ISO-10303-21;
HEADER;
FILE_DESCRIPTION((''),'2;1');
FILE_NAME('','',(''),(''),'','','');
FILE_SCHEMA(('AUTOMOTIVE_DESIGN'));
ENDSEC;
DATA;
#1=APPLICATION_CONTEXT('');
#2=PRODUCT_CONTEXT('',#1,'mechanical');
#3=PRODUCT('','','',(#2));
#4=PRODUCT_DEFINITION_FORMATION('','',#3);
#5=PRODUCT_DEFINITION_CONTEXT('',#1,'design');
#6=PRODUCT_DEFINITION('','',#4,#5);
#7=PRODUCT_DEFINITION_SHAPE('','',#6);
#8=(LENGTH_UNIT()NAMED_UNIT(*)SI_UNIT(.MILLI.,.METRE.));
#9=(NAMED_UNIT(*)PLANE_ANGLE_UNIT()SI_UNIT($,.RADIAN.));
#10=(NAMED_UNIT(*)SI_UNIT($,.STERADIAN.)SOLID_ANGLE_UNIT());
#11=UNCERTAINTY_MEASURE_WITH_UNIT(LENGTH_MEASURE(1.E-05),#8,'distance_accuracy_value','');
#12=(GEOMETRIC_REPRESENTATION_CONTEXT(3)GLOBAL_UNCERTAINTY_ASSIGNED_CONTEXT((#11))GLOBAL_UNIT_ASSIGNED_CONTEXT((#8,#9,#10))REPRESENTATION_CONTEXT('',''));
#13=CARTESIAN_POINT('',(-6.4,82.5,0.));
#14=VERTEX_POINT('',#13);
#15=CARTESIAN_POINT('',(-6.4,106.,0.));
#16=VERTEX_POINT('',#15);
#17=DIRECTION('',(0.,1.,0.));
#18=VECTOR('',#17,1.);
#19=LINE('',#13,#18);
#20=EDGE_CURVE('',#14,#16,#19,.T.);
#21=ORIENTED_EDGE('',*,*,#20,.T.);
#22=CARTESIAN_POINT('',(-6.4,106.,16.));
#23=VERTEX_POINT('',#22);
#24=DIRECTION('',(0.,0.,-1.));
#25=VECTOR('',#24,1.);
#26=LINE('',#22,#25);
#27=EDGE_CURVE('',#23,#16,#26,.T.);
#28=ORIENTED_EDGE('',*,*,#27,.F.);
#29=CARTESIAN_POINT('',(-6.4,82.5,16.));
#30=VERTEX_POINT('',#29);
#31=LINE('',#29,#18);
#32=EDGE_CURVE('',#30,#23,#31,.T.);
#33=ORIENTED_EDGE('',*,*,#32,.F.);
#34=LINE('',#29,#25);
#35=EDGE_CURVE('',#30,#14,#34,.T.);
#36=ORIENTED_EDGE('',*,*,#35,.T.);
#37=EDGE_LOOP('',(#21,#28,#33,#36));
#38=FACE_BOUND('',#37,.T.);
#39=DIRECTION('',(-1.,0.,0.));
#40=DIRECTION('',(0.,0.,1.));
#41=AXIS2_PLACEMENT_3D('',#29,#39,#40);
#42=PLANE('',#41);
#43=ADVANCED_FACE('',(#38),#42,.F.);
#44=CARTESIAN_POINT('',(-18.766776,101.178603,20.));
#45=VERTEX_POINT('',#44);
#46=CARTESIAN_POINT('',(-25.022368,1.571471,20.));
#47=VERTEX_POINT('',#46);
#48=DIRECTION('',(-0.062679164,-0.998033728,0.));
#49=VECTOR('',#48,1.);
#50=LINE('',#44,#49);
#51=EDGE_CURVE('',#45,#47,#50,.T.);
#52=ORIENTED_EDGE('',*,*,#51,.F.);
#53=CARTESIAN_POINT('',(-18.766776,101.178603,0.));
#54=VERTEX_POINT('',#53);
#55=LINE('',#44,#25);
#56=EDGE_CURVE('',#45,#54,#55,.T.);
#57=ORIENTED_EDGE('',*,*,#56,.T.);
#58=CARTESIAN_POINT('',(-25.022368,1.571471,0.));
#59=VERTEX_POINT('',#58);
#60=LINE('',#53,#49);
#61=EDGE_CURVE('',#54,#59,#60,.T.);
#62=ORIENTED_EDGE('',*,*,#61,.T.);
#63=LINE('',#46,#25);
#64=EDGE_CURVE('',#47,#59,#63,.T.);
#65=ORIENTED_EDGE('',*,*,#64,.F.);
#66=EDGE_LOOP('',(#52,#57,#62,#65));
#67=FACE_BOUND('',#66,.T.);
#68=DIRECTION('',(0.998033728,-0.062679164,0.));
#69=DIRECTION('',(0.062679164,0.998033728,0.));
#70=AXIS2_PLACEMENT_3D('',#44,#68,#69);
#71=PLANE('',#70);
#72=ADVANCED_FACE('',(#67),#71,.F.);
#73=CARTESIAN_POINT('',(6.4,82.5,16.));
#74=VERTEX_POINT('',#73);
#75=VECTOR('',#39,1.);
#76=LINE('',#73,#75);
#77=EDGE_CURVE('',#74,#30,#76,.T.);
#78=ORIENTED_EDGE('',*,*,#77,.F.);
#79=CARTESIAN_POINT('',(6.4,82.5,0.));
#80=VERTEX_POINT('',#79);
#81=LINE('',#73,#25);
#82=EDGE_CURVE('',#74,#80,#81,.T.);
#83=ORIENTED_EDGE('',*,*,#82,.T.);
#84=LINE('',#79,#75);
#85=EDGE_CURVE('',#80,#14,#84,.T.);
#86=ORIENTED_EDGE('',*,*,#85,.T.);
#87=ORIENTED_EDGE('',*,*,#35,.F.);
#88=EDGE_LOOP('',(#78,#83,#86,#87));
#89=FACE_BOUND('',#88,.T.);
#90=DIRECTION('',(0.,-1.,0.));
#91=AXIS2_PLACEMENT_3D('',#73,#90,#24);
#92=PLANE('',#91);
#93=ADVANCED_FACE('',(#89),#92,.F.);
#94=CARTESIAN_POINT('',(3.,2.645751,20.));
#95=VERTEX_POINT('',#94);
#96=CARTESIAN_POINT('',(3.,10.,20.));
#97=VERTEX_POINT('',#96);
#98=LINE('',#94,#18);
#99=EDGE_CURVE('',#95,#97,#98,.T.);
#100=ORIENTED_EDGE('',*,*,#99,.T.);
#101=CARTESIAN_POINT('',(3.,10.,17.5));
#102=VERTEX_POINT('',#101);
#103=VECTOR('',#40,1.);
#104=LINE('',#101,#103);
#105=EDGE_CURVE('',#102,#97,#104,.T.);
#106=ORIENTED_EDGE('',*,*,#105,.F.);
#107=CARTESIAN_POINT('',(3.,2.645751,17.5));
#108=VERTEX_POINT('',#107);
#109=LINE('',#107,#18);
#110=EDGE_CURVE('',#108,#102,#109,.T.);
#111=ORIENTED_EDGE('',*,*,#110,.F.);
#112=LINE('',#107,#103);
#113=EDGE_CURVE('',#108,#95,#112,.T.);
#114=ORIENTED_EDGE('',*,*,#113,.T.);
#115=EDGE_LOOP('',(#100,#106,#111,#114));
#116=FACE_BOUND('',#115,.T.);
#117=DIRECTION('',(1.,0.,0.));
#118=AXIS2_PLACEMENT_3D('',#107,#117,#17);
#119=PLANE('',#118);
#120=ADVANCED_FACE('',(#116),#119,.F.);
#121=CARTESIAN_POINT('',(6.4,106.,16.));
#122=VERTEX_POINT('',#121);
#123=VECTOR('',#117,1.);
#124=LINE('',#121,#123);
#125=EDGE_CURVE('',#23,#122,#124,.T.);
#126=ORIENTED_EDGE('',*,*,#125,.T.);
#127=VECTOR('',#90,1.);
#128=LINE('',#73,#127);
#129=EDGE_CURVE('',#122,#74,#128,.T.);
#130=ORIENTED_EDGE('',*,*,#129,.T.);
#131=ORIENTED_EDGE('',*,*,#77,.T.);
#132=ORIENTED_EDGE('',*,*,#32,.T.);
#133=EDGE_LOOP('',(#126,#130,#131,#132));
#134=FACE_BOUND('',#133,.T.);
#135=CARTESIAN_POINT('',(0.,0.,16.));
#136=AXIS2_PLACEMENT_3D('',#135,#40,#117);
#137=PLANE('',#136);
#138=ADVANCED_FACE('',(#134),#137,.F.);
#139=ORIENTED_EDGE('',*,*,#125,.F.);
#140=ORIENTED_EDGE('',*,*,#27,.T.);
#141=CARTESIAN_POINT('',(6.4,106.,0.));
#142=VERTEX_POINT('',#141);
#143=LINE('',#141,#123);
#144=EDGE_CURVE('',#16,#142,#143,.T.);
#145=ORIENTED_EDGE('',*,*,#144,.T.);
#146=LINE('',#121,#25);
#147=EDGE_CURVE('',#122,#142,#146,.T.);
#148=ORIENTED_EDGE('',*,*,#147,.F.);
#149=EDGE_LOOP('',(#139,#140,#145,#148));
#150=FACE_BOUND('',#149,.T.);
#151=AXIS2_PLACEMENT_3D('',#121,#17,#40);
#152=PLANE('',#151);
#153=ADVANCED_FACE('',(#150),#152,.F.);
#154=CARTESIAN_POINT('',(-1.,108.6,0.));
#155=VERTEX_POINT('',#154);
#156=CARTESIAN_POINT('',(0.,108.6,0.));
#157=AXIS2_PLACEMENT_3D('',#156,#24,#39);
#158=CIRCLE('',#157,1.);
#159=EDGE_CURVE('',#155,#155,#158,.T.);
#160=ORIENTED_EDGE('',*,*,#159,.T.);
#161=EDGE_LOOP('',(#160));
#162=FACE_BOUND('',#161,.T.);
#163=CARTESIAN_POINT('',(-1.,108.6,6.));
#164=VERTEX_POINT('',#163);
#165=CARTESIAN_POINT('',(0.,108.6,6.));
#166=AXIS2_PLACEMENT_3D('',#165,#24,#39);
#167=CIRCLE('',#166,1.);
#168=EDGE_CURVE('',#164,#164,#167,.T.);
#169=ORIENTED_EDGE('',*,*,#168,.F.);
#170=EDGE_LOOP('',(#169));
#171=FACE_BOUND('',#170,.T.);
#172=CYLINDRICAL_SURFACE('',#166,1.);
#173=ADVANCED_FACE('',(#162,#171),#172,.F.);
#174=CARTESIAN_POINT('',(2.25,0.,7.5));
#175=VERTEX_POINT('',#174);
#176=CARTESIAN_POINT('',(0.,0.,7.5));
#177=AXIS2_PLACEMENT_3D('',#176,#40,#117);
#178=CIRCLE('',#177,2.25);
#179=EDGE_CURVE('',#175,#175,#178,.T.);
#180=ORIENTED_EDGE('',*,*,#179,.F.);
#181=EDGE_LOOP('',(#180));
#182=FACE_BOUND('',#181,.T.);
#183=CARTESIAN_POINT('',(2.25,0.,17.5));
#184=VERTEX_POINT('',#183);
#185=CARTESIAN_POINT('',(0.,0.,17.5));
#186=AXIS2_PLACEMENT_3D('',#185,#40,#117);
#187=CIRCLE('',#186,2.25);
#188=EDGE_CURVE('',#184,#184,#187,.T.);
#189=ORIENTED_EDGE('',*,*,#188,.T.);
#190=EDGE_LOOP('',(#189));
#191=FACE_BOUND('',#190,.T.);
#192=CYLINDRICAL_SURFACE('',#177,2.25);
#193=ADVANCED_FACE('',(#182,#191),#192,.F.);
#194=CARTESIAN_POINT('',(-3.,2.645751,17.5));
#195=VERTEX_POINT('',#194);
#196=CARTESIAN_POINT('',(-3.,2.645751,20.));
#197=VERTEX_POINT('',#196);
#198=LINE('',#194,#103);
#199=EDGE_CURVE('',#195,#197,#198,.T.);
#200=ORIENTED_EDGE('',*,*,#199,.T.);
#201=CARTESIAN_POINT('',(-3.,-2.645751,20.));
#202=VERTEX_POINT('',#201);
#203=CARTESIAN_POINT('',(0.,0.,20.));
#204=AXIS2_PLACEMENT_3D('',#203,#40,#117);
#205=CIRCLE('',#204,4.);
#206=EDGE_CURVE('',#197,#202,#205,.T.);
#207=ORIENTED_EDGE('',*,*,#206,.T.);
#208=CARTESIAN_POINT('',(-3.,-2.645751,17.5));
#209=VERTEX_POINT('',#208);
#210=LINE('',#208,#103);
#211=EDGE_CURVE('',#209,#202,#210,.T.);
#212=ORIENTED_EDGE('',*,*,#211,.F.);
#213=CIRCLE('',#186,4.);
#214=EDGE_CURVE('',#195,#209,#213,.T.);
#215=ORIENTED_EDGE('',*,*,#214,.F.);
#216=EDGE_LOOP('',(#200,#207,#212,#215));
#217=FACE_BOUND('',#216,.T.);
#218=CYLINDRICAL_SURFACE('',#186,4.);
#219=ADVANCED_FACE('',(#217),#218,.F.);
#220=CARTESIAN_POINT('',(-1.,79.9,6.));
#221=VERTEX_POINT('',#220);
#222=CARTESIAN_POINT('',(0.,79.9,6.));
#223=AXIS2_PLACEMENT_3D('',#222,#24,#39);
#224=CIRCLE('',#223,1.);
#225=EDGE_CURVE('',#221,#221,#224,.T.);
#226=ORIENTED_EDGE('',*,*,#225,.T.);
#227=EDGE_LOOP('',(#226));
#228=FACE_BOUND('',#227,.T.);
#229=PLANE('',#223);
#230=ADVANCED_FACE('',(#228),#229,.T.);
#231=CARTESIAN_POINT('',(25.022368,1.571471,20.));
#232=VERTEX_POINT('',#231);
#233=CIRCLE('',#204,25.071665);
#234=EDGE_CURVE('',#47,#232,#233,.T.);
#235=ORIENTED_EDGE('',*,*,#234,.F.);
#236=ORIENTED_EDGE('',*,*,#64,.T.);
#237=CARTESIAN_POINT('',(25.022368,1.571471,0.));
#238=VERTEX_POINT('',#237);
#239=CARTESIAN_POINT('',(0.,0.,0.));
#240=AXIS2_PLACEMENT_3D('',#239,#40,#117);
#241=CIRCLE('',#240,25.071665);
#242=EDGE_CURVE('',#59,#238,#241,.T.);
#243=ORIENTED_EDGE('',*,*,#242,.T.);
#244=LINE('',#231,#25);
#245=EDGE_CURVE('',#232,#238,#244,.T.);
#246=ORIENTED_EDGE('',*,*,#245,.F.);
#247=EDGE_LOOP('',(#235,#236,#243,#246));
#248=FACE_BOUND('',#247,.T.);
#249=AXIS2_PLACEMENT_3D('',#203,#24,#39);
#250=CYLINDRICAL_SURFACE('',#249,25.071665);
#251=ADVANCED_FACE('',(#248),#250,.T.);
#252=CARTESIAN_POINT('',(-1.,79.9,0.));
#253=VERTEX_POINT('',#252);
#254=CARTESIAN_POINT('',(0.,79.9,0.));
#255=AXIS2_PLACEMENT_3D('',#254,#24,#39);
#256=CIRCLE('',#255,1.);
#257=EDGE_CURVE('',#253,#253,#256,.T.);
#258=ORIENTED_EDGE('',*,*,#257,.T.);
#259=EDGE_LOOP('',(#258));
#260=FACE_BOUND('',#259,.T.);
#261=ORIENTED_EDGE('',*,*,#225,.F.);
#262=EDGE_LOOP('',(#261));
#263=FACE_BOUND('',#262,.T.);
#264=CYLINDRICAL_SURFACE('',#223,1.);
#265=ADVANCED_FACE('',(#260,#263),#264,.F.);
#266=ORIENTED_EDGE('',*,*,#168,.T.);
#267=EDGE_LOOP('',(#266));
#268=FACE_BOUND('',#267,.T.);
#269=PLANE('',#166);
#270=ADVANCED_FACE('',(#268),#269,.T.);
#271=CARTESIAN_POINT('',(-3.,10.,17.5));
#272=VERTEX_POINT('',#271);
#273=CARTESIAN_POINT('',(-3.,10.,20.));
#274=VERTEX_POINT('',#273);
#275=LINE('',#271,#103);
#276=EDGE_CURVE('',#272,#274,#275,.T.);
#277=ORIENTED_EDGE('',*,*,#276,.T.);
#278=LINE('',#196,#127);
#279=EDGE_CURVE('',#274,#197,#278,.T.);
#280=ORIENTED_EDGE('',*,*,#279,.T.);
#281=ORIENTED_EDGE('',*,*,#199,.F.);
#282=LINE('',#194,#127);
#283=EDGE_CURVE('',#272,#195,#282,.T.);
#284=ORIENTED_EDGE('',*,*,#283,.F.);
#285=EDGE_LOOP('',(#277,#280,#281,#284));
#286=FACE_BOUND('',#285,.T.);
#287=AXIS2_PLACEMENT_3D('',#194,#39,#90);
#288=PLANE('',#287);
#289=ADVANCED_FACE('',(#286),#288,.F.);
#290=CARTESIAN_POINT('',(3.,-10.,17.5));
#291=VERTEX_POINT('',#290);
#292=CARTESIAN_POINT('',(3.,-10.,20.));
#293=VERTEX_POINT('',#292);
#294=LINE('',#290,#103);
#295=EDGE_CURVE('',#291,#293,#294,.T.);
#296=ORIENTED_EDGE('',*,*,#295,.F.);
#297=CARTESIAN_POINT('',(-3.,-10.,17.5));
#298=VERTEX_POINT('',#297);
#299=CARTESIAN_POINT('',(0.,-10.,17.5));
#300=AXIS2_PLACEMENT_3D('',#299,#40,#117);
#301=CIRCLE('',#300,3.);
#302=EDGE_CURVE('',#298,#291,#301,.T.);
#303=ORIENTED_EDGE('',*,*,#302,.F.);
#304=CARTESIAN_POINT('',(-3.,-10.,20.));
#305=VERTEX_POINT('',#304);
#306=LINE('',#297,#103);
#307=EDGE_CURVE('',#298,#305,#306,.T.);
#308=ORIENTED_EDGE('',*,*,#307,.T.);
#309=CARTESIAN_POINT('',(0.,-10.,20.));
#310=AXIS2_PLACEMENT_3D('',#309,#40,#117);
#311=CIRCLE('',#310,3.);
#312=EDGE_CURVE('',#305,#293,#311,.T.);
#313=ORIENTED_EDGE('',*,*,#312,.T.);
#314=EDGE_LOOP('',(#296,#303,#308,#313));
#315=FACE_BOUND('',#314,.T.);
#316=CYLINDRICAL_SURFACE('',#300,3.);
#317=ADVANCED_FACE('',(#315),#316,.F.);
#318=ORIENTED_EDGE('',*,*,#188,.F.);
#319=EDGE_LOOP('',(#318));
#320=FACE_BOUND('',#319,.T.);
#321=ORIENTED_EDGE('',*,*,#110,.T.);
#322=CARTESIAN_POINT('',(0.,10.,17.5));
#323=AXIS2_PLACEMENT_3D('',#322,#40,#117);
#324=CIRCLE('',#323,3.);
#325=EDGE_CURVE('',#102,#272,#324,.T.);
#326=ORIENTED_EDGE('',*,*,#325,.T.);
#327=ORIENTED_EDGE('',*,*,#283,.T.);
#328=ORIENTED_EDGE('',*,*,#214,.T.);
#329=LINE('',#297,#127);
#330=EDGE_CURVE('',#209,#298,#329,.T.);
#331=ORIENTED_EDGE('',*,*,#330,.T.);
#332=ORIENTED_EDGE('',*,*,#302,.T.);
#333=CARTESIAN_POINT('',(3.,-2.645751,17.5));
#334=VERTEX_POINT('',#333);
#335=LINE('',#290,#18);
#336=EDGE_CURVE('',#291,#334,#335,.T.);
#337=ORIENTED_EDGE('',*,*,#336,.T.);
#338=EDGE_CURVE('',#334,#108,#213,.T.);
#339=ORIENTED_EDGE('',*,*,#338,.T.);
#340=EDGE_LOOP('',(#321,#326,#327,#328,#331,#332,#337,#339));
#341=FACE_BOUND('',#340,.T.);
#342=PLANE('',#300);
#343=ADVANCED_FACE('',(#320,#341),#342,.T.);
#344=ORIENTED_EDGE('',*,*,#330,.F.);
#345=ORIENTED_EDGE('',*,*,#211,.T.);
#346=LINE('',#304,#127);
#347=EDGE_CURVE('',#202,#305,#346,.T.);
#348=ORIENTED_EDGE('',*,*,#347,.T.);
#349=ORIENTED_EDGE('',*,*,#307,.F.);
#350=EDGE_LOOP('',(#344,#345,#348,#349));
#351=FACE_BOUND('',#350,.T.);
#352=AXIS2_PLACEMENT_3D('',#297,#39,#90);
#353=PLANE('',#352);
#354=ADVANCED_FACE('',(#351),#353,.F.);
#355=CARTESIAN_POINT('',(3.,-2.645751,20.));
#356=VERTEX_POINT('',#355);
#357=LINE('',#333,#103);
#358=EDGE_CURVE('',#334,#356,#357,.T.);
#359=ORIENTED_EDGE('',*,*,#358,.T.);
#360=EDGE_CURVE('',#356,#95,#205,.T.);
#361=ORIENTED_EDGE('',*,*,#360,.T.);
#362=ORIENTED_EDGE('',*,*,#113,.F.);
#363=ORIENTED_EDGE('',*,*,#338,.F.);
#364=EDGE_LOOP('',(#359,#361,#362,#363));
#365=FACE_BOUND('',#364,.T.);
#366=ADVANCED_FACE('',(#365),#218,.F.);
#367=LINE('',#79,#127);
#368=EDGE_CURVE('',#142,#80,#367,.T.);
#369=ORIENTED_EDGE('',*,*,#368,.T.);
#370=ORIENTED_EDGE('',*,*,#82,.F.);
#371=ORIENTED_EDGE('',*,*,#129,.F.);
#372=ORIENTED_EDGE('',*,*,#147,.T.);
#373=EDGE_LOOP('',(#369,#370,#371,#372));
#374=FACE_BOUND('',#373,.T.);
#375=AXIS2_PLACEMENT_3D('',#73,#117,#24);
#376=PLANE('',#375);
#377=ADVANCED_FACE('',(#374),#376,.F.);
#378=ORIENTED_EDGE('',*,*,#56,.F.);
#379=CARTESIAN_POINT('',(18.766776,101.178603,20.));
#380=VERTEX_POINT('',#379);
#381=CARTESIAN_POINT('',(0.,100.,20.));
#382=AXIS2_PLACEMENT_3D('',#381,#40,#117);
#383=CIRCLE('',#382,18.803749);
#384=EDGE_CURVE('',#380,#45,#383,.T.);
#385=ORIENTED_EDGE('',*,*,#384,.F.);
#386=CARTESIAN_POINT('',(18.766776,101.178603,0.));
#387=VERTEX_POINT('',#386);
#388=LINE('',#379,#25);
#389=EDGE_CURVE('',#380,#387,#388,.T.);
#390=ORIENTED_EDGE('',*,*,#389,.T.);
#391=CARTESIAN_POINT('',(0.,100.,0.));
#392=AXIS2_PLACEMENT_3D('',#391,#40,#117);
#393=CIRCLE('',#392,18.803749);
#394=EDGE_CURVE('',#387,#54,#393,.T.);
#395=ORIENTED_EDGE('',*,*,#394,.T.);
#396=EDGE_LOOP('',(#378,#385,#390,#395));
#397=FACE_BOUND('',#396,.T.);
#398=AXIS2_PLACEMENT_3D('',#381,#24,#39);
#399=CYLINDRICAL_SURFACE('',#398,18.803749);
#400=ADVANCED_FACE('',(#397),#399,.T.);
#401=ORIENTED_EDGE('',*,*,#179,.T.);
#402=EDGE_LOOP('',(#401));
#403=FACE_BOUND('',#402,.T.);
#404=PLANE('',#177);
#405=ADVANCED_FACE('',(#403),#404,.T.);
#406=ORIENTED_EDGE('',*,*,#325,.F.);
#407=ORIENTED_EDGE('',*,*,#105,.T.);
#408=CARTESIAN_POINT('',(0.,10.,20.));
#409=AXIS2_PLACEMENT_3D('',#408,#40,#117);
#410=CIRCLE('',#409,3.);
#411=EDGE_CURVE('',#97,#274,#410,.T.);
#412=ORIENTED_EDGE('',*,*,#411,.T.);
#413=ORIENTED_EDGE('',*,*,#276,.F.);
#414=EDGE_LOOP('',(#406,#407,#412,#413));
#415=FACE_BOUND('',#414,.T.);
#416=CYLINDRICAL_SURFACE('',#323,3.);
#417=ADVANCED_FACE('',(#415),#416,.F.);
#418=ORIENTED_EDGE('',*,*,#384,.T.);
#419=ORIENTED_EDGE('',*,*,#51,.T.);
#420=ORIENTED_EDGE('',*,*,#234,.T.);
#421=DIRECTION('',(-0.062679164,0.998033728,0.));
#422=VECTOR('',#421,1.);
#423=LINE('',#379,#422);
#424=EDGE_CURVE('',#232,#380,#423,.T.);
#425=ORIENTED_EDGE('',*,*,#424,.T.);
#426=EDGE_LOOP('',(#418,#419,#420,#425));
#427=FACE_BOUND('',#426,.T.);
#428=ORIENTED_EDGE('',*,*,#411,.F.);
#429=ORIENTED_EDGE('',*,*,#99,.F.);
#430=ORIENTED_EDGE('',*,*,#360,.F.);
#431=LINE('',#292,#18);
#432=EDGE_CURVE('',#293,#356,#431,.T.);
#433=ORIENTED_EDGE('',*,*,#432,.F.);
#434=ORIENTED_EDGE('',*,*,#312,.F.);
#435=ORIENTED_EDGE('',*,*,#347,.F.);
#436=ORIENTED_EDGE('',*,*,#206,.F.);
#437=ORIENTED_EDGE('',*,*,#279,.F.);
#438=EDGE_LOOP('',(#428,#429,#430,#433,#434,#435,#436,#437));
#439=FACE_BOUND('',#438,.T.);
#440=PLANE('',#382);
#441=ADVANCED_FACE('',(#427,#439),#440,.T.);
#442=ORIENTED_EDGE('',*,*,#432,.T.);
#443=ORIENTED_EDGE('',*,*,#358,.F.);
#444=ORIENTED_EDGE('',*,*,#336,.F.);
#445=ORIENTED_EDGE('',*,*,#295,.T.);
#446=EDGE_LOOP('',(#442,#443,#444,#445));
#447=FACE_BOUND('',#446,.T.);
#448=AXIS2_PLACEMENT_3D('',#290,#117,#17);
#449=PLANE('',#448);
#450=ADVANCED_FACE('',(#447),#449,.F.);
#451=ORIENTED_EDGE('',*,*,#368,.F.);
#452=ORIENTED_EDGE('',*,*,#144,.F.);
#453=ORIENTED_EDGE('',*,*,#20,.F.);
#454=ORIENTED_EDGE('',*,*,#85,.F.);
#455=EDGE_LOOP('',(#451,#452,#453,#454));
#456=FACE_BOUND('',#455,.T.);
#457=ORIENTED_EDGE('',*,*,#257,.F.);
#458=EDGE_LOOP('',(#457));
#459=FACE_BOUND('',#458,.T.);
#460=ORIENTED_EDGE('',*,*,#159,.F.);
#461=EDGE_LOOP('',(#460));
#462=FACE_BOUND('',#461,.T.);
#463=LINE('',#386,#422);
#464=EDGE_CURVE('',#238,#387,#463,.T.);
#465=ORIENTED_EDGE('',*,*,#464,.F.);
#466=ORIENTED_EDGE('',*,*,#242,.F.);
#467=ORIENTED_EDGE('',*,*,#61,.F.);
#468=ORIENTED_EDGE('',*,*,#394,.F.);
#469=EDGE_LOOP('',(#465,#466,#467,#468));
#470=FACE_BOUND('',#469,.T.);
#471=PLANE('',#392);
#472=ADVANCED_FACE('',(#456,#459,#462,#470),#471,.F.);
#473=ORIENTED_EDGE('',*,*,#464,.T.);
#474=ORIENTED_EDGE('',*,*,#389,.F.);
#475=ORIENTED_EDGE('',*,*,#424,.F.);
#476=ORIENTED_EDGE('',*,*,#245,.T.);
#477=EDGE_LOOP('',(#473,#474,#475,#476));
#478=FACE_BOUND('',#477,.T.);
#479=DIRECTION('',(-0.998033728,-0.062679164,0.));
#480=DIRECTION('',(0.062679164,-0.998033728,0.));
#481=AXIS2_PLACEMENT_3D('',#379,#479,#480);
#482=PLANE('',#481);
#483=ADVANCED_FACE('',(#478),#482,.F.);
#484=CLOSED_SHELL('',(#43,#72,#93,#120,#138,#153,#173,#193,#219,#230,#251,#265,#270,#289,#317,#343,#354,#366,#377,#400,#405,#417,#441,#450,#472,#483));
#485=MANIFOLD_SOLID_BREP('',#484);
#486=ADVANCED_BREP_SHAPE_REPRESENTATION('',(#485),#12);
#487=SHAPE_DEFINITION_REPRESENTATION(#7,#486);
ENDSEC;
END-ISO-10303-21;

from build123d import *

# Parameters (mm, degrees)
BOSS_EXTRUDE1_DEPTH = 20
CUT_EXTRUDE1_DEPTH  = 2.5
SKETCH4_R           = 2.25
CUT_EXTRUDE2_DEPTH  = 10
SKETCH5_W           = 12.8
SKETCH5_H           = 23.5
CUT_EXTRUDE3_DEPTH  = 16
SKETCH6_R           = 1
CUT_EXTRUDE4_DEPTH  = 6


with BuildPart() as part:
    # Sketch2 → Boss-Extrude1 (new body)
    with BuildSketch(Plane.XY):
        with BuildLine():
            Line((18.766775804, 101.178603266), (25.022367739, 1.571471021))
            ThreePointArc((25.022367739, 1.571471021), (0, -25.07166545), (-25.022367739, 1.571471021))
            Line((-25.022367739, 1.571471021), (-18.766775804, 101.178603266))
            ThreePointArc((-18.766775804, 101.178603266), (0, 118.803749087), (18.766775804, 101.178603266))
        make_face()
    extrude(amount=BOSS_EXTRUDE1_DEPTH)

    # Sketch3 → Cut-Extrude1 (cut)
    with BuildSketch(Plane.XY.offset(20)):
        with BuildLine():
            Line((-3, -10), (-3, -2.645751311))
            ThreePointArc((-3, -2.645751311), (-4, 0), (-3, 2.645751311))
            Line((-3, 2.645751311), (-3, 10))
            ThreePointArc((-3, 10), (0, 13), (3, 10))
            Line((3, 10), (3, 2.645751311))
            ThreePointArc((3, 2.645751311), (4, 0), (3, -2.645751311))
            Line((3, -2.645751311), (3, -10))
            ThreePointArc((3, -10), (0, -13), (-3, -10))
        make_face()
    extrude(amount=-CUT_EXTRUDE1_DEPTH, mode=Mode.SUBTRACT)

    # Sketch4 → Cut-Extrude2 (cut)
    with BuildSketch(Plane.XY.offset(17.5)):
        Circle(SKETCH4_R)
    extrude(amount=-CUT_EXTRUDE2_DEPTH, mode=Mode.SUBTRACT)

    # Sketch5 → Cut-Extrude3 (cut)
    with BuildSketch(Plane(origin=(0, 0, 0), x_dir=(-1, 0, 0), z_dir=(0, 0, -1))):
        with Locations((0, 94.25)):
            Rectangle(SKETCH5_W, SKETCH5_H)
    extrude(amount=-CUT_EXTRUDE3_DEPTH, mode=Mode.SUBTRACT)

    # Sketch6 → Cut-Extrude4 (cut)
    with BuildSketch(Plane(origin=(0, 0, 0), x_dir=(-1, 0, 0), z_dir=(0, 0, -1))):
        with Locations((0, 108.6)):
            Circle(SKETCH6_R)
        with Locations((0, 79.9)):
            Circle(SKETCH6_R)
    extrude(amount=-CUT_EXTRUDE4_DEPTH, mode=Mode.SUBTRACT)


solid = part.part
